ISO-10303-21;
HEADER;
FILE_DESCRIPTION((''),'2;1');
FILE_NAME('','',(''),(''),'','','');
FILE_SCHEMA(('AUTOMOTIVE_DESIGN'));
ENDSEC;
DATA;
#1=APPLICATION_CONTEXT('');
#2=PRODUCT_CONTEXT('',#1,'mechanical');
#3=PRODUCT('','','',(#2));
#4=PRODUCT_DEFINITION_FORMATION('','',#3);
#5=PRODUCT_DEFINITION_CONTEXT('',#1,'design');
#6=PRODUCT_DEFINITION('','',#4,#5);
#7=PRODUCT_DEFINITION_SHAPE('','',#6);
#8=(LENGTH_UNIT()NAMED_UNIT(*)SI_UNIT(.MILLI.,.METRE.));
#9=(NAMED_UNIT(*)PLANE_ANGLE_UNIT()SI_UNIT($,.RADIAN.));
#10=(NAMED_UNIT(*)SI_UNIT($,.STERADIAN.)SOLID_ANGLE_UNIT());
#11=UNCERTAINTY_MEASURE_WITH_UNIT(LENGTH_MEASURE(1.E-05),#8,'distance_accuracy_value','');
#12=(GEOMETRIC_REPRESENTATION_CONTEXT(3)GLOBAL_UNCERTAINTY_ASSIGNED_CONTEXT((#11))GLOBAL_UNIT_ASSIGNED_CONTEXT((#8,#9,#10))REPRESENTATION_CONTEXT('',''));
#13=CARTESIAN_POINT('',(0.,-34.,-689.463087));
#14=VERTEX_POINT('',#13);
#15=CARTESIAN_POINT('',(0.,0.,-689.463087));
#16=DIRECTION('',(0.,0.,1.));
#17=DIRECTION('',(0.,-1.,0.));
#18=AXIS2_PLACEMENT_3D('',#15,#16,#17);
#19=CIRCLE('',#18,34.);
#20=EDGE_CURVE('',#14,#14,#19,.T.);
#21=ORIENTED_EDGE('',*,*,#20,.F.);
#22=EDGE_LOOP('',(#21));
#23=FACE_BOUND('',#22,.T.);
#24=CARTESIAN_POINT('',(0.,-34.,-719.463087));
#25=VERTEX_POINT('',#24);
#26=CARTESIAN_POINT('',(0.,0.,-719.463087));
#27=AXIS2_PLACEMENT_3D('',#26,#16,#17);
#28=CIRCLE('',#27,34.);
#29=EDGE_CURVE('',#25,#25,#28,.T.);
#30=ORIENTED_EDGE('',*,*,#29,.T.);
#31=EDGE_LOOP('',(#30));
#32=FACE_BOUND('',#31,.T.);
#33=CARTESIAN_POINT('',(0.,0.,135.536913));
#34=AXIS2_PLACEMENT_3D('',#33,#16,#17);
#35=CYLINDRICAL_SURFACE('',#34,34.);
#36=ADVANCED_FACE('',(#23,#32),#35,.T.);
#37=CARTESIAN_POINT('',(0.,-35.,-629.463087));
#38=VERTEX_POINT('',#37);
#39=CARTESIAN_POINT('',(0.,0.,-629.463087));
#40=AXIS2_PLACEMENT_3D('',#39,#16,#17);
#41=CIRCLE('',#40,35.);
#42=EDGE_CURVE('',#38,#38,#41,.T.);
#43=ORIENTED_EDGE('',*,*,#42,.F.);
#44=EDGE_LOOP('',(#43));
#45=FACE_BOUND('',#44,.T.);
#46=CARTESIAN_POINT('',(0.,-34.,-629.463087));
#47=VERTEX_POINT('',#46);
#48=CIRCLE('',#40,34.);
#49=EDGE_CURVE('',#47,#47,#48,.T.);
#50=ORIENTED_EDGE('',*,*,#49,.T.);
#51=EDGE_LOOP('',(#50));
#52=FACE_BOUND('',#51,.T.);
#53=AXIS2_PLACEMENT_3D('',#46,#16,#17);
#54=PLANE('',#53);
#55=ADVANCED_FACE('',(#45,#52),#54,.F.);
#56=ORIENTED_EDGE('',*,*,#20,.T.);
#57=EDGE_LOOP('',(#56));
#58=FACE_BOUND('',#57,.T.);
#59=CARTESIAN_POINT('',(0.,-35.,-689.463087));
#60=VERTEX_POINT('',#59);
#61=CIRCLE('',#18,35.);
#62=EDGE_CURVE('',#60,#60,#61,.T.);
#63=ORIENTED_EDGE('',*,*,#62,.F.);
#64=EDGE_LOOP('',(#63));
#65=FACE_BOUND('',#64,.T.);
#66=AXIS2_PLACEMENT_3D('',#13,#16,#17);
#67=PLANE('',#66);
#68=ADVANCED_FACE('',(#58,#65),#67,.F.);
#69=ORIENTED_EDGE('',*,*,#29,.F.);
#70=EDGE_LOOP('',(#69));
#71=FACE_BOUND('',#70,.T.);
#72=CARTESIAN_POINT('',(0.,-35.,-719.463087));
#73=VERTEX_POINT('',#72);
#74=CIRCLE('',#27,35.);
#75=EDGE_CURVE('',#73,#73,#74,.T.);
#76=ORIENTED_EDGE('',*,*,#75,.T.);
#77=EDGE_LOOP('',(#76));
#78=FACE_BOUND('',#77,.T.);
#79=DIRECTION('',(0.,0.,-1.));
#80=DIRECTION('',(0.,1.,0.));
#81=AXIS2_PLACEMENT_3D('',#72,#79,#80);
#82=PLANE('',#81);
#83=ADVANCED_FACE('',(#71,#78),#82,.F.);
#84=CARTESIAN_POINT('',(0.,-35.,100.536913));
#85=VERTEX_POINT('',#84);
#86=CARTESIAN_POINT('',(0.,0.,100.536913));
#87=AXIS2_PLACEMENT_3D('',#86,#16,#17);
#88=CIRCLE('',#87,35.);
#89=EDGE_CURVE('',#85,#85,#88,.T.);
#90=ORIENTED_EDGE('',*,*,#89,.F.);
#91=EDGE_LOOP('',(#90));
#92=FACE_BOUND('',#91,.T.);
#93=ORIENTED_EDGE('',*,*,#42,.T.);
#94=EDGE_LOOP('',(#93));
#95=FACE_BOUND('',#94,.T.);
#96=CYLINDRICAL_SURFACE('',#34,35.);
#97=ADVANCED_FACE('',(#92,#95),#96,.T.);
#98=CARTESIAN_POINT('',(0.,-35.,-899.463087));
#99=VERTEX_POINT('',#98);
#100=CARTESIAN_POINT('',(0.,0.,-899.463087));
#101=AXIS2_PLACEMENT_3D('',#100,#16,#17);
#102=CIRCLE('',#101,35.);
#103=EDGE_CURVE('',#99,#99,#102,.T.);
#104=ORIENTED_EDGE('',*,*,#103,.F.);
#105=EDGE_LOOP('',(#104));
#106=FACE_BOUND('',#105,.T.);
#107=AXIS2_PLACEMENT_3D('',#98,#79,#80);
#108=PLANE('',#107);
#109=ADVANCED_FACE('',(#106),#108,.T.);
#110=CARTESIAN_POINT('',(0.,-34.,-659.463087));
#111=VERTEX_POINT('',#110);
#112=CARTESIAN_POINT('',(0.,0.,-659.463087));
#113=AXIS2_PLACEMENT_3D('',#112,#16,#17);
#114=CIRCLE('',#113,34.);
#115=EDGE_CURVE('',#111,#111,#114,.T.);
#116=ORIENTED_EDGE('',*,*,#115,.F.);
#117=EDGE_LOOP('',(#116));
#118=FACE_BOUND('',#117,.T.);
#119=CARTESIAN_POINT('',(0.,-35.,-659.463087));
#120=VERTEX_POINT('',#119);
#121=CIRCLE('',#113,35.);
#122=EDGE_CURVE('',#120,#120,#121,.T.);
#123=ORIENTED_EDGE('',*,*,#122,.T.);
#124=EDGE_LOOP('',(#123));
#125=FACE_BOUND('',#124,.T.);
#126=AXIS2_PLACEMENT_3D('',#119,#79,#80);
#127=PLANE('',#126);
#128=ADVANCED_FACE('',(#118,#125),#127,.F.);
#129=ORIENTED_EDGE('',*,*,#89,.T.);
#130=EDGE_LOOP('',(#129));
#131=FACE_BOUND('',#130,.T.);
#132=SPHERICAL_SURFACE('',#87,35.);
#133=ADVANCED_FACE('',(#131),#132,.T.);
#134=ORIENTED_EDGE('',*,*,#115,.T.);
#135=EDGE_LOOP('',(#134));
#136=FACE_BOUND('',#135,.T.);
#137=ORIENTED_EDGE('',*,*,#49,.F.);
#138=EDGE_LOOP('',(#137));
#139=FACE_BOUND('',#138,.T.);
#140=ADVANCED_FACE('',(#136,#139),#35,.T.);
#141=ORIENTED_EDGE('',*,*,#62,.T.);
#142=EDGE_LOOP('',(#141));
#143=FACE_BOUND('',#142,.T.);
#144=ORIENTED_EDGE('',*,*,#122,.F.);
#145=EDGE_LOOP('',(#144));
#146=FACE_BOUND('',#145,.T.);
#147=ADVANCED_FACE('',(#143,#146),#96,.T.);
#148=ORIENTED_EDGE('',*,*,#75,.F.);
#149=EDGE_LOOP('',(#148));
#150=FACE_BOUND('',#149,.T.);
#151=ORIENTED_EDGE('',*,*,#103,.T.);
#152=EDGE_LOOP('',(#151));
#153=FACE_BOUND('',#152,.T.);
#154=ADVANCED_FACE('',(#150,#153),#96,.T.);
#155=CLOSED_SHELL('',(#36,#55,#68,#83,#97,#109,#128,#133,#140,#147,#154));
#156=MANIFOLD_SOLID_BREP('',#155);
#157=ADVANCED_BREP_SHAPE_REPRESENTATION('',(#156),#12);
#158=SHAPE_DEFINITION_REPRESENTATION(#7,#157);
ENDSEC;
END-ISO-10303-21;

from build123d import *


with BuildPart() as part:
    # Sketch1 → Revolve2 (revolve)
    with BuildSketch(Plane(origin=(0, 0, 0), x_dir=(0, 0, -1), z_dir=(1, 0, 0))):
        with BuildLine():
            Line((-135.536912752, 0), (899.463087248, 0))
            Line((899.463087248, 0), (899.463087248, -35))
            Line((899.463087248, -35), (719.463087248, -35))
            Line((719.463087248, -35), (719.463087248, -34))
            Line((719.463087248, -34), (689.463087248, -34))
            Line((689.463087248, -34), (689.463087248, -35))
            Line((689.463087248, -35), (659.463087248, -35))
            Line((659.463087248, -35), (659.463087248, -34))
            Line((659.463087248, -34), (629.463087248, -34))
            Line((629.463087248, -34), (629.463087248, -35))
            Line((629.463087248, -35), (-100.536912752, -35))
            ThreePointArc((-100.536912752, -35), (-125.285650093, -24.748737342), (-135.536912752, 0))
        make_face()
    revolve(axis=Axis((0, 0, 135.536912752), (0, 0, -1)))


solid = part.part
